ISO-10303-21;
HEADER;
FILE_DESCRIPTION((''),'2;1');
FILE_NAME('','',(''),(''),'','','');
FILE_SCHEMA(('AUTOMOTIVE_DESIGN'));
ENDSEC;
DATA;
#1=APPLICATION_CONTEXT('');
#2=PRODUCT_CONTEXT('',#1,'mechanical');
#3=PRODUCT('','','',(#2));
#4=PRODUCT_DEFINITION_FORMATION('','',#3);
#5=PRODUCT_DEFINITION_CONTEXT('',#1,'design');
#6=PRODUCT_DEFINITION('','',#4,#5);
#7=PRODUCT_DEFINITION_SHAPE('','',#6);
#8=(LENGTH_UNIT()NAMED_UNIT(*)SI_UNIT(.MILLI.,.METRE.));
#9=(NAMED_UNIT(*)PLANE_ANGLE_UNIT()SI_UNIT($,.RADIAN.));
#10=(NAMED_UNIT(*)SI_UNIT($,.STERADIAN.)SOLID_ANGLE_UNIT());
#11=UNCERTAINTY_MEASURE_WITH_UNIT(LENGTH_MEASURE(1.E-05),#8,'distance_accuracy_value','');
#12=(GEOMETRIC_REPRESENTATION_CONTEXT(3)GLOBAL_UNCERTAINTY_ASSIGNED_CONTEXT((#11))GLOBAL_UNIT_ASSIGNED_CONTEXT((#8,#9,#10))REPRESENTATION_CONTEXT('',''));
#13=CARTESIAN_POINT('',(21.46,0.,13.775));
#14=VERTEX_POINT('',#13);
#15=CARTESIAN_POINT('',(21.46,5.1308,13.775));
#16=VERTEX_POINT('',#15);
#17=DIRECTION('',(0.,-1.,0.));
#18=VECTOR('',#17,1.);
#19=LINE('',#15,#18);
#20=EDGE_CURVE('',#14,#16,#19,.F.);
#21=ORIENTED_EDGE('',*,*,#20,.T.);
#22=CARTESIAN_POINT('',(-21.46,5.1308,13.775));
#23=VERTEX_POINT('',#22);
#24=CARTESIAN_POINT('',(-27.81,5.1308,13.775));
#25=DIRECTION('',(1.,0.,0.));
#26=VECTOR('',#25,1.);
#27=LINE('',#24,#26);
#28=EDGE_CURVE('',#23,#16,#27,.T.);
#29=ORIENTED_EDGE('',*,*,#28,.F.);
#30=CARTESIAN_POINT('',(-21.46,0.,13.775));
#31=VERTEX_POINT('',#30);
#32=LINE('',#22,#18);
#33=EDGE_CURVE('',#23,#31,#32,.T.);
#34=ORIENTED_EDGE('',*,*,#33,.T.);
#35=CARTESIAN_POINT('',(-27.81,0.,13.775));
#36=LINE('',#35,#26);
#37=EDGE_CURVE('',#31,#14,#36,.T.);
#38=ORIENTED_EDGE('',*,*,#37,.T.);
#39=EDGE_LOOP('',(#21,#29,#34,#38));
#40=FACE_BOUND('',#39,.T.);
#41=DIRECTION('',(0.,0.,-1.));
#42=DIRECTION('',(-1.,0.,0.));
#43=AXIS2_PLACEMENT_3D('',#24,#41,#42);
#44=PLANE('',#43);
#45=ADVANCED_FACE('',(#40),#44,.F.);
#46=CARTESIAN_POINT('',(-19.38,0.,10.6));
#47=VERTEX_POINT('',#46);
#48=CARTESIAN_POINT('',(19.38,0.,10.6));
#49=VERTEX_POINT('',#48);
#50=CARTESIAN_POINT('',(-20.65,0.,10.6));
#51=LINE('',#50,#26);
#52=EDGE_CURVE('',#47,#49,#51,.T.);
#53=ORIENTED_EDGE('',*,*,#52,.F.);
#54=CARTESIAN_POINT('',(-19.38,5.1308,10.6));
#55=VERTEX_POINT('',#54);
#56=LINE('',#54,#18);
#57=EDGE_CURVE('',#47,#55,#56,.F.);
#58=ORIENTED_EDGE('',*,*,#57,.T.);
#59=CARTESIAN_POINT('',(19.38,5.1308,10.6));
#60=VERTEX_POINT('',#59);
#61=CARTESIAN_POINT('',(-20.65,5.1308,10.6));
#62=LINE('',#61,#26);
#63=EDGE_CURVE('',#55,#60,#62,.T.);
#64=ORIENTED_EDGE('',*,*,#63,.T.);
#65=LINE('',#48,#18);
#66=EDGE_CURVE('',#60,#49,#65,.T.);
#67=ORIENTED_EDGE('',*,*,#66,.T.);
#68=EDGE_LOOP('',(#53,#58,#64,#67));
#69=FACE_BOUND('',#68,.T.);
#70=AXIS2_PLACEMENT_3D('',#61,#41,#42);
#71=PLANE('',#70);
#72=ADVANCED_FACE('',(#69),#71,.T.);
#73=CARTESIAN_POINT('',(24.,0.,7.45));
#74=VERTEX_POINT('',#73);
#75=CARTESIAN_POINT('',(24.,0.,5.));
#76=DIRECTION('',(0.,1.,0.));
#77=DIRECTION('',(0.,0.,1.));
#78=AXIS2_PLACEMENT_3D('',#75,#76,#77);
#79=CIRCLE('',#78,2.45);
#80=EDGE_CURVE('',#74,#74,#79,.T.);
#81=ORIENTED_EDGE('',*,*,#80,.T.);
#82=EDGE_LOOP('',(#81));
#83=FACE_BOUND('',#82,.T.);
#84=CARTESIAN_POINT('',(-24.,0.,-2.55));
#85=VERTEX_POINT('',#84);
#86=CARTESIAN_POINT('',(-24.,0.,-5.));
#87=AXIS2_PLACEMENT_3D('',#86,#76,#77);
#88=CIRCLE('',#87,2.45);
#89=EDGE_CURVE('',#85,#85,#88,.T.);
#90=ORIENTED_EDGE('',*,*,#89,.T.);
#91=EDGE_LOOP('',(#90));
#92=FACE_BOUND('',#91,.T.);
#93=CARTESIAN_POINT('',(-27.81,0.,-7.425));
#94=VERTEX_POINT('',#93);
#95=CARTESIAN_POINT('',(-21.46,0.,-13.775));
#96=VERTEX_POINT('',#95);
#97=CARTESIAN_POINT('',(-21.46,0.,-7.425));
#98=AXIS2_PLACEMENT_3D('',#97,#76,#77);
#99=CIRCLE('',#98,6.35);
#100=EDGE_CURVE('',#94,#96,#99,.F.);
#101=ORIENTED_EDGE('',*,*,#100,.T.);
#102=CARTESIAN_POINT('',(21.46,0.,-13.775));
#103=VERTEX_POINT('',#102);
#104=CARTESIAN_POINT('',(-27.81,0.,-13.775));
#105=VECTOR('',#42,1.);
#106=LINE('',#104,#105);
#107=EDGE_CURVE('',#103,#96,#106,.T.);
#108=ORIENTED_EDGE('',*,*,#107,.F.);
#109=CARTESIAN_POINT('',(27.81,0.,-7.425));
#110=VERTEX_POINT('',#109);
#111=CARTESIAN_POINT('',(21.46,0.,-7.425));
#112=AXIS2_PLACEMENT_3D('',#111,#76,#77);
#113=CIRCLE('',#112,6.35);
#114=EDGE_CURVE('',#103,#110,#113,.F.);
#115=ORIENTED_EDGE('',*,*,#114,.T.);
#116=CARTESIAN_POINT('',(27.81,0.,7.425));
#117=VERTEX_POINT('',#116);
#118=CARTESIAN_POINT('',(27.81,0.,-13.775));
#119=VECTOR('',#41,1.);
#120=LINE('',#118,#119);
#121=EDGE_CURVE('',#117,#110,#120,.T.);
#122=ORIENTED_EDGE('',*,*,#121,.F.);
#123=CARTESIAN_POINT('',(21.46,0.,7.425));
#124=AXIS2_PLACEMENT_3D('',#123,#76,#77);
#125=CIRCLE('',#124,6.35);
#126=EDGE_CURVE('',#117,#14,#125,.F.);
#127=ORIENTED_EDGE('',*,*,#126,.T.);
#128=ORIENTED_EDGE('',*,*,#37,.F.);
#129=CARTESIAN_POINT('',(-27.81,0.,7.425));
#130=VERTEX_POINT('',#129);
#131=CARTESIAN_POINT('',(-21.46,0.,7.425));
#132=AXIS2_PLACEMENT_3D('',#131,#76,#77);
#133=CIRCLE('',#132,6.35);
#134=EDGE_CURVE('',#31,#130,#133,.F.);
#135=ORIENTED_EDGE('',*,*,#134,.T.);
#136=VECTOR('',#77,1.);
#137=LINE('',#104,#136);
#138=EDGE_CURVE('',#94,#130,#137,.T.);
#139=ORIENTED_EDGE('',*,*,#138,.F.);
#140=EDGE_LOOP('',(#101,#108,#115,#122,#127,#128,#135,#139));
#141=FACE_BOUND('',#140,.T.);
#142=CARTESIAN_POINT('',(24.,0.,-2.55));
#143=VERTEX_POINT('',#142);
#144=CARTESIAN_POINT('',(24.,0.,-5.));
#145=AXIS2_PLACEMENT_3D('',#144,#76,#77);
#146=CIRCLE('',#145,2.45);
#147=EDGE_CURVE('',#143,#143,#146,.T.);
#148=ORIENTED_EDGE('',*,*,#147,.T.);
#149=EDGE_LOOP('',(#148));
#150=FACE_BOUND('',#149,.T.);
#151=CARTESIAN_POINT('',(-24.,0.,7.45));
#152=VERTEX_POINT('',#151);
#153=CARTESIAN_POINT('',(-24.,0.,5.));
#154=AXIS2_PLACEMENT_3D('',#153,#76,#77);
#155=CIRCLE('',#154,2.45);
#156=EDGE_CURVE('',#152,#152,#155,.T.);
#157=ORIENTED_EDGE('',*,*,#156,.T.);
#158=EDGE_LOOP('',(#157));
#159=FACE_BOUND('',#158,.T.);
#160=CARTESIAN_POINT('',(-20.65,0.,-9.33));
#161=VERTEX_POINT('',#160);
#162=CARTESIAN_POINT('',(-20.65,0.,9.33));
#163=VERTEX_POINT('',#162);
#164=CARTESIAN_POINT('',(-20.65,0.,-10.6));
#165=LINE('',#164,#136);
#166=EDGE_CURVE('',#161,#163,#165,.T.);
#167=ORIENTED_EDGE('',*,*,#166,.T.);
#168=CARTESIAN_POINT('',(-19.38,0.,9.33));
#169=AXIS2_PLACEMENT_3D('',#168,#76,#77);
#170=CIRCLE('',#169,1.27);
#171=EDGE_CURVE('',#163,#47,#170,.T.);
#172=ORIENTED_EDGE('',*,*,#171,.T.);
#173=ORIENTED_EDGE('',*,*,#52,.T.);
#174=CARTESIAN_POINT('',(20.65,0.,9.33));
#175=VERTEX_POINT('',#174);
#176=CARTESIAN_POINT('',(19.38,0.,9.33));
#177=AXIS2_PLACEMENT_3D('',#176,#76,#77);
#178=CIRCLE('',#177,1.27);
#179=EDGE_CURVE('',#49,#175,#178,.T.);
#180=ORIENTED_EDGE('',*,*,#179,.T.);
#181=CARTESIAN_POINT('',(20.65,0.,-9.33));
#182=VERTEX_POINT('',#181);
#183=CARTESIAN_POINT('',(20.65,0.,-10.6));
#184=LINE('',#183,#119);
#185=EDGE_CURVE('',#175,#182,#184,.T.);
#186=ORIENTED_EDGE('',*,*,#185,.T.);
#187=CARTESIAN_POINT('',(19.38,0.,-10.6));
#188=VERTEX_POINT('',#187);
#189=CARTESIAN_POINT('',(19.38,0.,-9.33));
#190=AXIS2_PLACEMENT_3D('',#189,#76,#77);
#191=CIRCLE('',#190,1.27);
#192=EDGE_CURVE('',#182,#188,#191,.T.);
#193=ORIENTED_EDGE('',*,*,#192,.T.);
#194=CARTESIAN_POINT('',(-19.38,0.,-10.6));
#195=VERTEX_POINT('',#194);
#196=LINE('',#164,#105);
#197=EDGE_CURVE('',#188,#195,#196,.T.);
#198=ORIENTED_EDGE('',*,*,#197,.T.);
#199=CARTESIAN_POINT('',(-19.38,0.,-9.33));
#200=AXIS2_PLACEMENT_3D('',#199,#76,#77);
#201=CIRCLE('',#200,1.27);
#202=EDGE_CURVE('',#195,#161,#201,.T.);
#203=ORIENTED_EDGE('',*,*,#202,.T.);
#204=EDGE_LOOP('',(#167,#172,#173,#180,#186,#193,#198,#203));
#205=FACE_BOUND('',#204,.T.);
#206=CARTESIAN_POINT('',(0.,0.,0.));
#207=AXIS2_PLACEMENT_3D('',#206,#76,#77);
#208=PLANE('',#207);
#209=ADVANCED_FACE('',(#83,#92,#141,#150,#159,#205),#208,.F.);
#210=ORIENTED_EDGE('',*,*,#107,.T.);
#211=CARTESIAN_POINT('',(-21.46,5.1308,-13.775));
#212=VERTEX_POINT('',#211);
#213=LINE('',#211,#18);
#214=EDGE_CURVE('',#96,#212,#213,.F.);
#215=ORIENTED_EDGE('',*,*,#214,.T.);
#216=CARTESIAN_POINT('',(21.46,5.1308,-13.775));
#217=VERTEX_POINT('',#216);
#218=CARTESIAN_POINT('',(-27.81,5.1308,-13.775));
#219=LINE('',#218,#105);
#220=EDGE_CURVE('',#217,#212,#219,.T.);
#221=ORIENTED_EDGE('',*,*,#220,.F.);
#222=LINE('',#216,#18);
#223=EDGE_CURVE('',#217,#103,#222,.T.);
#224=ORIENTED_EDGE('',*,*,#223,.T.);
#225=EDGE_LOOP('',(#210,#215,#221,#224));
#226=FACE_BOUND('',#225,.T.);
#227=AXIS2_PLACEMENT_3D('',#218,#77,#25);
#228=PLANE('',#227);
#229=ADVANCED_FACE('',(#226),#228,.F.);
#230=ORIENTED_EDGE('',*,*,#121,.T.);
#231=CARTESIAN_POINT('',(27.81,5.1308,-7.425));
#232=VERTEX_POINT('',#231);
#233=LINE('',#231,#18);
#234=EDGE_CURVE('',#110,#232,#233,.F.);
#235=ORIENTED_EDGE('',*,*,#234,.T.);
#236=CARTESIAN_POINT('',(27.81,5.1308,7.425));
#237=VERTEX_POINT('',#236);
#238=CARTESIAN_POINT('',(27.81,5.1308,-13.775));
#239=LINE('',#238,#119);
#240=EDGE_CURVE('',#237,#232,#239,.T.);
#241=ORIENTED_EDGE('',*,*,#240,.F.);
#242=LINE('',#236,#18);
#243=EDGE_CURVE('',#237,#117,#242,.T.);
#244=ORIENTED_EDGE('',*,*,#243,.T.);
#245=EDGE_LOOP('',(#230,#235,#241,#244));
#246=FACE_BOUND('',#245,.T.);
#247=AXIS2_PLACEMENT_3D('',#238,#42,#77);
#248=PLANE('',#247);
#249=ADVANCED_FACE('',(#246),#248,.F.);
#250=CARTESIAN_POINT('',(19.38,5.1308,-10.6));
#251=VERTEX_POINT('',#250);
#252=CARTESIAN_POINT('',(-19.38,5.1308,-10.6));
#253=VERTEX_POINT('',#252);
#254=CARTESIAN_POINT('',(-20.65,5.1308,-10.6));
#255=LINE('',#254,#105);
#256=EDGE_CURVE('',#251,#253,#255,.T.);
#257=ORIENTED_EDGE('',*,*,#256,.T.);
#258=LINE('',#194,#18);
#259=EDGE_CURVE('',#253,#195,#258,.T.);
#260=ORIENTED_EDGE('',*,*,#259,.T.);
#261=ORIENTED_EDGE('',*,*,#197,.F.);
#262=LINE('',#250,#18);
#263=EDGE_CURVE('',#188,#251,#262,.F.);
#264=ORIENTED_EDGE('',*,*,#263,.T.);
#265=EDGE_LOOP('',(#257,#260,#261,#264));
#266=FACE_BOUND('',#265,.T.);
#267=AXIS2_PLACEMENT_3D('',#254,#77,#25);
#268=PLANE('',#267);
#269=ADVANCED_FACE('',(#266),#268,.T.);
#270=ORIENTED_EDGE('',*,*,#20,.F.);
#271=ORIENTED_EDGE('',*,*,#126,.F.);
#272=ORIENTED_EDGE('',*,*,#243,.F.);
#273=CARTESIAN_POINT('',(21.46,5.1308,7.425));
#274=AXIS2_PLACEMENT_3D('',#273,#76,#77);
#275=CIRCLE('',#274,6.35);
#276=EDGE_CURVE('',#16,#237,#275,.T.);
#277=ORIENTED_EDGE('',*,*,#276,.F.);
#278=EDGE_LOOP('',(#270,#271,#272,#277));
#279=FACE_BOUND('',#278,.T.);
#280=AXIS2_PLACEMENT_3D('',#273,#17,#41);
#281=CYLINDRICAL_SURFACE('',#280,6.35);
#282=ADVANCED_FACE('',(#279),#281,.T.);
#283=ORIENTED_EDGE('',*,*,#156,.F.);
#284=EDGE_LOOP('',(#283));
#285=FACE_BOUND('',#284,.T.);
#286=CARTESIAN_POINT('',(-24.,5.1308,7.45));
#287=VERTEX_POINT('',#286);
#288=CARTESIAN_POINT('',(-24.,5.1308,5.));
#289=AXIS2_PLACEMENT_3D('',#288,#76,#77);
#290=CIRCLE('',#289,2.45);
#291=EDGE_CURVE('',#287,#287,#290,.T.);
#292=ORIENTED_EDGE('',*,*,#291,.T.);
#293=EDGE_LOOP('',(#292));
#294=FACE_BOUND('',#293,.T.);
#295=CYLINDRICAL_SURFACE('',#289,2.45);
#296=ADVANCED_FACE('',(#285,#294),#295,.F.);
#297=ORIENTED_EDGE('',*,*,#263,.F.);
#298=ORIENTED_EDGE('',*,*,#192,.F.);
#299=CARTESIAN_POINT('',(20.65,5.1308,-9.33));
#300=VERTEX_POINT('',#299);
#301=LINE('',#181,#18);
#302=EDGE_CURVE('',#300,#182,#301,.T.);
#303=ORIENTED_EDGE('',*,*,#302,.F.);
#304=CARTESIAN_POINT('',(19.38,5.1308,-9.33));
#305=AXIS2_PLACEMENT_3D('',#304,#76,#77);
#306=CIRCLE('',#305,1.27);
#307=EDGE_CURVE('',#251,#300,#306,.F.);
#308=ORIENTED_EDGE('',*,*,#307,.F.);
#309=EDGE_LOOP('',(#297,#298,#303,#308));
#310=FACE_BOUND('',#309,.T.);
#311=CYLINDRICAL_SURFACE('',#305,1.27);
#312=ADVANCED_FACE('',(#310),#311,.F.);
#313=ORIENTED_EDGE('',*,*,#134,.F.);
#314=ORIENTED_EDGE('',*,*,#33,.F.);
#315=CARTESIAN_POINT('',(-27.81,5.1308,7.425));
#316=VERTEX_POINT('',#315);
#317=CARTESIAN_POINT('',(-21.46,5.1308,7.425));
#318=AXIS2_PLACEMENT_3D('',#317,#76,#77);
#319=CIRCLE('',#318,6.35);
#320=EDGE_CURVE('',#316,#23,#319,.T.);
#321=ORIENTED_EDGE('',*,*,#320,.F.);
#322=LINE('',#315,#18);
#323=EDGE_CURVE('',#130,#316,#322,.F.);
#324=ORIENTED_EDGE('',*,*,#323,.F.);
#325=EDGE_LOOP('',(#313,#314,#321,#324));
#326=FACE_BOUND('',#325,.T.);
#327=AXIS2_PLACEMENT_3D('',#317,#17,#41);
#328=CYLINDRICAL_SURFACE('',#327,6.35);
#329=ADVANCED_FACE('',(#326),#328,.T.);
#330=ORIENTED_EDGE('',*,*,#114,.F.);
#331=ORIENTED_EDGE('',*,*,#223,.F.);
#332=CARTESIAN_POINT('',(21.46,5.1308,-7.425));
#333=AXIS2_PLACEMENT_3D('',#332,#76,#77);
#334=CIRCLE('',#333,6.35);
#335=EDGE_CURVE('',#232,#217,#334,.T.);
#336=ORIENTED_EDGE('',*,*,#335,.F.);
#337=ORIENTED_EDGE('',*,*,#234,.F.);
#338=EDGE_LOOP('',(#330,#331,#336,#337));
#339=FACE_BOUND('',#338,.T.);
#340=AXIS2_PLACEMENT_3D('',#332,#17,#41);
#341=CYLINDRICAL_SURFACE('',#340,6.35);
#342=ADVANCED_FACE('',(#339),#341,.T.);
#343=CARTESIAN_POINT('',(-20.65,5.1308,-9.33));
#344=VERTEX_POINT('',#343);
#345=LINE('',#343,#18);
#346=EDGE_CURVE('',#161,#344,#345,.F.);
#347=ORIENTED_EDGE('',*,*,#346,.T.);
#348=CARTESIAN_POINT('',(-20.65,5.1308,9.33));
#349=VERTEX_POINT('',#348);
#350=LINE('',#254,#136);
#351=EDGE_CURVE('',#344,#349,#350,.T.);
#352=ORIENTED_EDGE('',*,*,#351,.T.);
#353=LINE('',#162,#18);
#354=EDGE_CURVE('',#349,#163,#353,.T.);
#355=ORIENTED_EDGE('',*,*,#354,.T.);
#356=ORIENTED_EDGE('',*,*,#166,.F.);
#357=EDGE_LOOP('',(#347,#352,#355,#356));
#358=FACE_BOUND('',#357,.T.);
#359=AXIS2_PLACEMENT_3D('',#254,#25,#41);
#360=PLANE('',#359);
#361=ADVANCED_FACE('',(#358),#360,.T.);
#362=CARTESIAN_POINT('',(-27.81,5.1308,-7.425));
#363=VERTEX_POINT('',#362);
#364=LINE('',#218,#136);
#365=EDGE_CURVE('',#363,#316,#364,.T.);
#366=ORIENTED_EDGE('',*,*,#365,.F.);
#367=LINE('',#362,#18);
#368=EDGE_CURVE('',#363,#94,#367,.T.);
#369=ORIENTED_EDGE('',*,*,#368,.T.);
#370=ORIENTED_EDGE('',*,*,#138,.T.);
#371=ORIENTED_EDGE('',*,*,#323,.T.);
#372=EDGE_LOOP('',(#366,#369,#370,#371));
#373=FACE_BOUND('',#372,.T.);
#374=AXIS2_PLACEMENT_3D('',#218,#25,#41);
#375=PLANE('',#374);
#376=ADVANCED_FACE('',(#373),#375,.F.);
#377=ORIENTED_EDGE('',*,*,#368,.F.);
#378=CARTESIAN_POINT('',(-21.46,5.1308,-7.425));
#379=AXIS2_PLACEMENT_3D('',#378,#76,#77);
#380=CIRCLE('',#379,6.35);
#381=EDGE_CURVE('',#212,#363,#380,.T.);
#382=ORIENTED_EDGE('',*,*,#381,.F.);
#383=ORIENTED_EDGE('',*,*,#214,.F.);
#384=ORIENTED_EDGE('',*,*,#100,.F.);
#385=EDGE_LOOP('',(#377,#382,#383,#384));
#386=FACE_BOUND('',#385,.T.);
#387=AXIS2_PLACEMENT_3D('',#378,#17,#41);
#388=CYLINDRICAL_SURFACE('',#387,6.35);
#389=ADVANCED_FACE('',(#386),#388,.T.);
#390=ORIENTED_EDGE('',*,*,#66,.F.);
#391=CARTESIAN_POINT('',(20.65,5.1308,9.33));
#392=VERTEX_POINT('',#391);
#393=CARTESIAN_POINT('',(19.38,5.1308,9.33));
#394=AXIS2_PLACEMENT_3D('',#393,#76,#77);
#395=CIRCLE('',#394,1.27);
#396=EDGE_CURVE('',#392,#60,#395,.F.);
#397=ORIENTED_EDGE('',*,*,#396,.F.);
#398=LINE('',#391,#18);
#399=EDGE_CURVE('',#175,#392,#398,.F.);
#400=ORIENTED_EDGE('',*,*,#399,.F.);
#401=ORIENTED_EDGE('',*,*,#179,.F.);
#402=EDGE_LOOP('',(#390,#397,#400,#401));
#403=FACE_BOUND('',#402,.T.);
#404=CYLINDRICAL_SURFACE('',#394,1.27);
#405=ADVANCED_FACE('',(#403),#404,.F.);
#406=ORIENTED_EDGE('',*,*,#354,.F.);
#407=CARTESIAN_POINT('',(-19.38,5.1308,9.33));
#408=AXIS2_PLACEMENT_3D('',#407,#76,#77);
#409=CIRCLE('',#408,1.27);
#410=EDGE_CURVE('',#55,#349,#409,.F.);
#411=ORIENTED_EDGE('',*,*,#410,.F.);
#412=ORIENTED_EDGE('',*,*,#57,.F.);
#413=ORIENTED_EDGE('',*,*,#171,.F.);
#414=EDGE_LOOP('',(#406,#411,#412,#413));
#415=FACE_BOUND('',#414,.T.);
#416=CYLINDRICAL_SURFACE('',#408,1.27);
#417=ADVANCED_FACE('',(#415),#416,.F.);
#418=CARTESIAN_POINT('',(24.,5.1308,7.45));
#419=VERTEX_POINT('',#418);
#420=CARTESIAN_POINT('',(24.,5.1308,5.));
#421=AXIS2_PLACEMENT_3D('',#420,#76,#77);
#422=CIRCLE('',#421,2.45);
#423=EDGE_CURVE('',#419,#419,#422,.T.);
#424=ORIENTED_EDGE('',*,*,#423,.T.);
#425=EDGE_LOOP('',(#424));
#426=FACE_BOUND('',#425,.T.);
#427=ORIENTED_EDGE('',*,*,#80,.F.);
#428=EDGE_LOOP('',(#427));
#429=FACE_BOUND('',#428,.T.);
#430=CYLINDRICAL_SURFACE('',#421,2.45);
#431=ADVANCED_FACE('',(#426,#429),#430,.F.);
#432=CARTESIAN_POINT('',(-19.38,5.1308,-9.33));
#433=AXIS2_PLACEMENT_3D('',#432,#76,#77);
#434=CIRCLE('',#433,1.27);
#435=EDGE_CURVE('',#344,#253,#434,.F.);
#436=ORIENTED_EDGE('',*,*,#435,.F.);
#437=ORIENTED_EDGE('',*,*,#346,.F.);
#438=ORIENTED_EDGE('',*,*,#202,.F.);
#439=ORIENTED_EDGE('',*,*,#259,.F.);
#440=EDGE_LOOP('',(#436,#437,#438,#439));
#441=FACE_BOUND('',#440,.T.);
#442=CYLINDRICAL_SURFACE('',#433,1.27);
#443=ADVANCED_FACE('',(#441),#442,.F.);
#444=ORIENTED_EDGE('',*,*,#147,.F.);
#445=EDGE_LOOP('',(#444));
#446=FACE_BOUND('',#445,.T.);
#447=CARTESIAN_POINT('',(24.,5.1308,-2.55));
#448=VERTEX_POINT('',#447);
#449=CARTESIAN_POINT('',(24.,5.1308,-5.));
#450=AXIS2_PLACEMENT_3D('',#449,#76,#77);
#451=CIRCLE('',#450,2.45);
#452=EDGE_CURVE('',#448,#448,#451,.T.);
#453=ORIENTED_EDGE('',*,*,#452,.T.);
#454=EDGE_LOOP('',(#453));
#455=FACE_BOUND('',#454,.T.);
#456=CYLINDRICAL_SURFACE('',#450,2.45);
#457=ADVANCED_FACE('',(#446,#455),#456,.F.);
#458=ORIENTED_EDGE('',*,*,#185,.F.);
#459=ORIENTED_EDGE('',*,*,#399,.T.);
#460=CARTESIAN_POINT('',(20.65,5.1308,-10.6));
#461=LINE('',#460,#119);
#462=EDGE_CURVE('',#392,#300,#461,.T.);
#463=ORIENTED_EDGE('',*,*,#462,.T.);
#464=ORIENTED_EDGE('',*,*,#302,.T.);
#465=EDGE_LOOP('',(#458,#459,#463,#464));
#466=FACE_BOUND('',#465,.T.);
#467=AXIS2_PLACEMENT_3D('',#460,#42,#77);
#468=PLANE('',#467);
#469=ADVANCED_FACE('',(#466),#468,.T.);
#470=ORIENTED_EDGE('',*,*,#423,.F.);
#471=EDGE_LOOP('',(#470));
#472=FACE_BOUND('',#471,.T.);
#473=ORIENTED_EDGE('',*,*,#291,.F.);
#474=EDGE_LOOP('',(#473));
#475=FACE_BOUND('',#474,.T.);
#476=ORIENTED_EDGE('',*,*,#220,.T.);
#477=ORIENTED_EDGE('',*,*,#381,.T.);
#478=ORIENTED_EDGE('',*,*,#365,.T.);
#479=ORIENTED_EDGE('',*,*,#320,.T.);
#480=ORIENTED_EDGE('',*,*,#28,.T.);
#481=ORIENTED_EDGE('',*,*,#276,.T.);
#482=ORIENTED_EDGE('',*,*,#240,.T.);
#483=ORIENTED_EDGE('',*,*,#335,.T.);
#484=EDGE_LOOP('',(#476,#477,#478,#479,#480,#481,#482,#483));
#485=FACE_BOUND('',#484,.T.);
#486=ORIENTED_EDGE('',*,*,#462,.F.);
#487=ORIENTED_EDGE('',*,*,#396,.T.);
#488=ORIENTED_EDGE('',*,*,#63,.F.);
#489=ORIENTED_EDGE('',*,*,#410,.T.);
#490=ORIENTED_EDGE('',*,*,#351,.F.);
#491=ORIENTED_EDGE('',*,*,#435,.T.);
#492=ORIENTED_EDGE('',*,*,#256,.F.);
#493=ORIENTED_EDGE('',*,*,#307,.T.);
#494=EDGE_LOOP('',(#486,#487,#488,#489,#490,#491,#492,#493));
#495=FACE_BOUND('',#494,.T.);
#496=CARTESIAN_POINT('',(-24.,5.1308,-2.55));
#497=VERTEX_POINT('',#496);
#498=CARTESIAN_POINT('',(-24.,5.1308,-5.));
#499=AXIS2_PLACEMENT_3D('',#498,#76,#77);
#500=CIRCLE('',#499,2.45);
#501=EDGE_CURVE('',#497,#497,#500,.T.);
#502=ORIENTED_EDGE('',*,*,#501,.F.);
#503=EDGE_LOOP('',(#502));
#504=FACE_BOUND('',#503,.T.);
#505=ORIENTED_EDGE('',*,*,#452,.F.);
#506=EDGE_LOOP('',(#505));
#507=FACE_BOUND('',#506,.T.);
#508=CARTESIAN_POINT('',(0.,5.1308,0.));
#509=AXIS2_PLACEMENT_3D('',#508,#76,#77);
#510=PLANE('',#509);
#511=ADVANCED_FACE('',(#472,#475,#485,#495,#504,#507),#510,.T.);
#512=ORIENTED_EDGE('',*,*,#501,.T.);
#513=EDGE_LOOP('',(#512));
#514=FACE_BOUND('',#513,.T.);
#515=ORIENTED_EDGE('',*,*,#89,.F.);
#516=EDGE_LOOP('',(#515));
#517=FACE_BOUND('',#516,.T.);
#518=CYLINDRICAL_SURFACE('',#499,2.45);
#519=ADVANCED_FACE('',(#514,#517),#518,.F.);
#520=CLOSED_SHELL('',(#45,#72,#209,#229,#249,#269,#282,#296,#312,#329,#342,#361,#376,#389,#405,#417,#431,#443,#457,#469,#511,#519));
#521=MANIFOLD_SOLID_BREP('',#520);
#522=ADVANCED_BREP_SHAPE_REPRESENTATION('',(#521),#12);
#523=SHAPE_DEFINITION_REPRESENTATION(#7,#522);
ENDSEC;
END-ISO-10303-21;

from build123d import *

# Parameters (mm, degrees)
SKETCH1_W                  = 55.620000012
SKETCH1_H                  = 27.550000018
SKETCH1_W_2                = 41.29999995
SKETCH1_H_2                = 21.200000018
BOSS_EXTRUDE1_DEPTH        = 5.1308
F_4_9_4_9_DIAMETER_HOLE1_D = 4.9
FILLET1_R                  = 6.35
FILLET2_R                  = 1.27


with BuildPart() as part:
    # Sketch1 → Boss-Extrude1 (new body)
    with BuildSketch(Plane(origin=(0, 0, 0), x_dir=(1, 0, 0), z_dir=(0, 1, 0))):
        Rectangle(SKETCH1_W, SKETCH1_H)
        Rectangle(SKETCH1_W_2, SKETCH1_H_2, mode=Mode.SUBTRACT)
    extrude(amount=BOSS_EXTRUDE1_DEPTH)

    # Ø4.9 (4.9) Diameter Hole1 (through all)
    with Locations(Plane(origin=(0, 5.1308, 0), x_dir=(1, 0, 0), z_dir=(0, 1, 0))):
        with Locations((24, -5), (-24, 5), (-24, -5), (24, 5)):
            Hole(F_4_9_4_9_DIAMETER_HOLE1_D / 2)

    # Fillet1
    fillet1_edges = [part.edges().sort_by_distance(p)[0] for p in [
        (27.810000006, 2.5654, 13.775000009),
        (-27.810000006, 2.5654, 13.775000009),
        (-27.810000006, 2.5654, -13.775000009),
        (27.810000006, 2.5654, -13.775000009),
    ]]
    fillet(fillet1_edges, radius=FILLET1_R)

    # Fillet2
    fillet2_edges = [part.edges().sort_by_distance(p)[0] for p in [
        (20.649999975, 2.5654, 10.600000009),
        (20.649999975, 2.5654, -10.600000009),
        (-20.649999975, 2.5654, -10.600000009),
        (-20.649999975, 2.5654, 10.600000009),
    ]]
    fillet(fillet2_edges, radius=FILLET2_R)


solid = part.part
